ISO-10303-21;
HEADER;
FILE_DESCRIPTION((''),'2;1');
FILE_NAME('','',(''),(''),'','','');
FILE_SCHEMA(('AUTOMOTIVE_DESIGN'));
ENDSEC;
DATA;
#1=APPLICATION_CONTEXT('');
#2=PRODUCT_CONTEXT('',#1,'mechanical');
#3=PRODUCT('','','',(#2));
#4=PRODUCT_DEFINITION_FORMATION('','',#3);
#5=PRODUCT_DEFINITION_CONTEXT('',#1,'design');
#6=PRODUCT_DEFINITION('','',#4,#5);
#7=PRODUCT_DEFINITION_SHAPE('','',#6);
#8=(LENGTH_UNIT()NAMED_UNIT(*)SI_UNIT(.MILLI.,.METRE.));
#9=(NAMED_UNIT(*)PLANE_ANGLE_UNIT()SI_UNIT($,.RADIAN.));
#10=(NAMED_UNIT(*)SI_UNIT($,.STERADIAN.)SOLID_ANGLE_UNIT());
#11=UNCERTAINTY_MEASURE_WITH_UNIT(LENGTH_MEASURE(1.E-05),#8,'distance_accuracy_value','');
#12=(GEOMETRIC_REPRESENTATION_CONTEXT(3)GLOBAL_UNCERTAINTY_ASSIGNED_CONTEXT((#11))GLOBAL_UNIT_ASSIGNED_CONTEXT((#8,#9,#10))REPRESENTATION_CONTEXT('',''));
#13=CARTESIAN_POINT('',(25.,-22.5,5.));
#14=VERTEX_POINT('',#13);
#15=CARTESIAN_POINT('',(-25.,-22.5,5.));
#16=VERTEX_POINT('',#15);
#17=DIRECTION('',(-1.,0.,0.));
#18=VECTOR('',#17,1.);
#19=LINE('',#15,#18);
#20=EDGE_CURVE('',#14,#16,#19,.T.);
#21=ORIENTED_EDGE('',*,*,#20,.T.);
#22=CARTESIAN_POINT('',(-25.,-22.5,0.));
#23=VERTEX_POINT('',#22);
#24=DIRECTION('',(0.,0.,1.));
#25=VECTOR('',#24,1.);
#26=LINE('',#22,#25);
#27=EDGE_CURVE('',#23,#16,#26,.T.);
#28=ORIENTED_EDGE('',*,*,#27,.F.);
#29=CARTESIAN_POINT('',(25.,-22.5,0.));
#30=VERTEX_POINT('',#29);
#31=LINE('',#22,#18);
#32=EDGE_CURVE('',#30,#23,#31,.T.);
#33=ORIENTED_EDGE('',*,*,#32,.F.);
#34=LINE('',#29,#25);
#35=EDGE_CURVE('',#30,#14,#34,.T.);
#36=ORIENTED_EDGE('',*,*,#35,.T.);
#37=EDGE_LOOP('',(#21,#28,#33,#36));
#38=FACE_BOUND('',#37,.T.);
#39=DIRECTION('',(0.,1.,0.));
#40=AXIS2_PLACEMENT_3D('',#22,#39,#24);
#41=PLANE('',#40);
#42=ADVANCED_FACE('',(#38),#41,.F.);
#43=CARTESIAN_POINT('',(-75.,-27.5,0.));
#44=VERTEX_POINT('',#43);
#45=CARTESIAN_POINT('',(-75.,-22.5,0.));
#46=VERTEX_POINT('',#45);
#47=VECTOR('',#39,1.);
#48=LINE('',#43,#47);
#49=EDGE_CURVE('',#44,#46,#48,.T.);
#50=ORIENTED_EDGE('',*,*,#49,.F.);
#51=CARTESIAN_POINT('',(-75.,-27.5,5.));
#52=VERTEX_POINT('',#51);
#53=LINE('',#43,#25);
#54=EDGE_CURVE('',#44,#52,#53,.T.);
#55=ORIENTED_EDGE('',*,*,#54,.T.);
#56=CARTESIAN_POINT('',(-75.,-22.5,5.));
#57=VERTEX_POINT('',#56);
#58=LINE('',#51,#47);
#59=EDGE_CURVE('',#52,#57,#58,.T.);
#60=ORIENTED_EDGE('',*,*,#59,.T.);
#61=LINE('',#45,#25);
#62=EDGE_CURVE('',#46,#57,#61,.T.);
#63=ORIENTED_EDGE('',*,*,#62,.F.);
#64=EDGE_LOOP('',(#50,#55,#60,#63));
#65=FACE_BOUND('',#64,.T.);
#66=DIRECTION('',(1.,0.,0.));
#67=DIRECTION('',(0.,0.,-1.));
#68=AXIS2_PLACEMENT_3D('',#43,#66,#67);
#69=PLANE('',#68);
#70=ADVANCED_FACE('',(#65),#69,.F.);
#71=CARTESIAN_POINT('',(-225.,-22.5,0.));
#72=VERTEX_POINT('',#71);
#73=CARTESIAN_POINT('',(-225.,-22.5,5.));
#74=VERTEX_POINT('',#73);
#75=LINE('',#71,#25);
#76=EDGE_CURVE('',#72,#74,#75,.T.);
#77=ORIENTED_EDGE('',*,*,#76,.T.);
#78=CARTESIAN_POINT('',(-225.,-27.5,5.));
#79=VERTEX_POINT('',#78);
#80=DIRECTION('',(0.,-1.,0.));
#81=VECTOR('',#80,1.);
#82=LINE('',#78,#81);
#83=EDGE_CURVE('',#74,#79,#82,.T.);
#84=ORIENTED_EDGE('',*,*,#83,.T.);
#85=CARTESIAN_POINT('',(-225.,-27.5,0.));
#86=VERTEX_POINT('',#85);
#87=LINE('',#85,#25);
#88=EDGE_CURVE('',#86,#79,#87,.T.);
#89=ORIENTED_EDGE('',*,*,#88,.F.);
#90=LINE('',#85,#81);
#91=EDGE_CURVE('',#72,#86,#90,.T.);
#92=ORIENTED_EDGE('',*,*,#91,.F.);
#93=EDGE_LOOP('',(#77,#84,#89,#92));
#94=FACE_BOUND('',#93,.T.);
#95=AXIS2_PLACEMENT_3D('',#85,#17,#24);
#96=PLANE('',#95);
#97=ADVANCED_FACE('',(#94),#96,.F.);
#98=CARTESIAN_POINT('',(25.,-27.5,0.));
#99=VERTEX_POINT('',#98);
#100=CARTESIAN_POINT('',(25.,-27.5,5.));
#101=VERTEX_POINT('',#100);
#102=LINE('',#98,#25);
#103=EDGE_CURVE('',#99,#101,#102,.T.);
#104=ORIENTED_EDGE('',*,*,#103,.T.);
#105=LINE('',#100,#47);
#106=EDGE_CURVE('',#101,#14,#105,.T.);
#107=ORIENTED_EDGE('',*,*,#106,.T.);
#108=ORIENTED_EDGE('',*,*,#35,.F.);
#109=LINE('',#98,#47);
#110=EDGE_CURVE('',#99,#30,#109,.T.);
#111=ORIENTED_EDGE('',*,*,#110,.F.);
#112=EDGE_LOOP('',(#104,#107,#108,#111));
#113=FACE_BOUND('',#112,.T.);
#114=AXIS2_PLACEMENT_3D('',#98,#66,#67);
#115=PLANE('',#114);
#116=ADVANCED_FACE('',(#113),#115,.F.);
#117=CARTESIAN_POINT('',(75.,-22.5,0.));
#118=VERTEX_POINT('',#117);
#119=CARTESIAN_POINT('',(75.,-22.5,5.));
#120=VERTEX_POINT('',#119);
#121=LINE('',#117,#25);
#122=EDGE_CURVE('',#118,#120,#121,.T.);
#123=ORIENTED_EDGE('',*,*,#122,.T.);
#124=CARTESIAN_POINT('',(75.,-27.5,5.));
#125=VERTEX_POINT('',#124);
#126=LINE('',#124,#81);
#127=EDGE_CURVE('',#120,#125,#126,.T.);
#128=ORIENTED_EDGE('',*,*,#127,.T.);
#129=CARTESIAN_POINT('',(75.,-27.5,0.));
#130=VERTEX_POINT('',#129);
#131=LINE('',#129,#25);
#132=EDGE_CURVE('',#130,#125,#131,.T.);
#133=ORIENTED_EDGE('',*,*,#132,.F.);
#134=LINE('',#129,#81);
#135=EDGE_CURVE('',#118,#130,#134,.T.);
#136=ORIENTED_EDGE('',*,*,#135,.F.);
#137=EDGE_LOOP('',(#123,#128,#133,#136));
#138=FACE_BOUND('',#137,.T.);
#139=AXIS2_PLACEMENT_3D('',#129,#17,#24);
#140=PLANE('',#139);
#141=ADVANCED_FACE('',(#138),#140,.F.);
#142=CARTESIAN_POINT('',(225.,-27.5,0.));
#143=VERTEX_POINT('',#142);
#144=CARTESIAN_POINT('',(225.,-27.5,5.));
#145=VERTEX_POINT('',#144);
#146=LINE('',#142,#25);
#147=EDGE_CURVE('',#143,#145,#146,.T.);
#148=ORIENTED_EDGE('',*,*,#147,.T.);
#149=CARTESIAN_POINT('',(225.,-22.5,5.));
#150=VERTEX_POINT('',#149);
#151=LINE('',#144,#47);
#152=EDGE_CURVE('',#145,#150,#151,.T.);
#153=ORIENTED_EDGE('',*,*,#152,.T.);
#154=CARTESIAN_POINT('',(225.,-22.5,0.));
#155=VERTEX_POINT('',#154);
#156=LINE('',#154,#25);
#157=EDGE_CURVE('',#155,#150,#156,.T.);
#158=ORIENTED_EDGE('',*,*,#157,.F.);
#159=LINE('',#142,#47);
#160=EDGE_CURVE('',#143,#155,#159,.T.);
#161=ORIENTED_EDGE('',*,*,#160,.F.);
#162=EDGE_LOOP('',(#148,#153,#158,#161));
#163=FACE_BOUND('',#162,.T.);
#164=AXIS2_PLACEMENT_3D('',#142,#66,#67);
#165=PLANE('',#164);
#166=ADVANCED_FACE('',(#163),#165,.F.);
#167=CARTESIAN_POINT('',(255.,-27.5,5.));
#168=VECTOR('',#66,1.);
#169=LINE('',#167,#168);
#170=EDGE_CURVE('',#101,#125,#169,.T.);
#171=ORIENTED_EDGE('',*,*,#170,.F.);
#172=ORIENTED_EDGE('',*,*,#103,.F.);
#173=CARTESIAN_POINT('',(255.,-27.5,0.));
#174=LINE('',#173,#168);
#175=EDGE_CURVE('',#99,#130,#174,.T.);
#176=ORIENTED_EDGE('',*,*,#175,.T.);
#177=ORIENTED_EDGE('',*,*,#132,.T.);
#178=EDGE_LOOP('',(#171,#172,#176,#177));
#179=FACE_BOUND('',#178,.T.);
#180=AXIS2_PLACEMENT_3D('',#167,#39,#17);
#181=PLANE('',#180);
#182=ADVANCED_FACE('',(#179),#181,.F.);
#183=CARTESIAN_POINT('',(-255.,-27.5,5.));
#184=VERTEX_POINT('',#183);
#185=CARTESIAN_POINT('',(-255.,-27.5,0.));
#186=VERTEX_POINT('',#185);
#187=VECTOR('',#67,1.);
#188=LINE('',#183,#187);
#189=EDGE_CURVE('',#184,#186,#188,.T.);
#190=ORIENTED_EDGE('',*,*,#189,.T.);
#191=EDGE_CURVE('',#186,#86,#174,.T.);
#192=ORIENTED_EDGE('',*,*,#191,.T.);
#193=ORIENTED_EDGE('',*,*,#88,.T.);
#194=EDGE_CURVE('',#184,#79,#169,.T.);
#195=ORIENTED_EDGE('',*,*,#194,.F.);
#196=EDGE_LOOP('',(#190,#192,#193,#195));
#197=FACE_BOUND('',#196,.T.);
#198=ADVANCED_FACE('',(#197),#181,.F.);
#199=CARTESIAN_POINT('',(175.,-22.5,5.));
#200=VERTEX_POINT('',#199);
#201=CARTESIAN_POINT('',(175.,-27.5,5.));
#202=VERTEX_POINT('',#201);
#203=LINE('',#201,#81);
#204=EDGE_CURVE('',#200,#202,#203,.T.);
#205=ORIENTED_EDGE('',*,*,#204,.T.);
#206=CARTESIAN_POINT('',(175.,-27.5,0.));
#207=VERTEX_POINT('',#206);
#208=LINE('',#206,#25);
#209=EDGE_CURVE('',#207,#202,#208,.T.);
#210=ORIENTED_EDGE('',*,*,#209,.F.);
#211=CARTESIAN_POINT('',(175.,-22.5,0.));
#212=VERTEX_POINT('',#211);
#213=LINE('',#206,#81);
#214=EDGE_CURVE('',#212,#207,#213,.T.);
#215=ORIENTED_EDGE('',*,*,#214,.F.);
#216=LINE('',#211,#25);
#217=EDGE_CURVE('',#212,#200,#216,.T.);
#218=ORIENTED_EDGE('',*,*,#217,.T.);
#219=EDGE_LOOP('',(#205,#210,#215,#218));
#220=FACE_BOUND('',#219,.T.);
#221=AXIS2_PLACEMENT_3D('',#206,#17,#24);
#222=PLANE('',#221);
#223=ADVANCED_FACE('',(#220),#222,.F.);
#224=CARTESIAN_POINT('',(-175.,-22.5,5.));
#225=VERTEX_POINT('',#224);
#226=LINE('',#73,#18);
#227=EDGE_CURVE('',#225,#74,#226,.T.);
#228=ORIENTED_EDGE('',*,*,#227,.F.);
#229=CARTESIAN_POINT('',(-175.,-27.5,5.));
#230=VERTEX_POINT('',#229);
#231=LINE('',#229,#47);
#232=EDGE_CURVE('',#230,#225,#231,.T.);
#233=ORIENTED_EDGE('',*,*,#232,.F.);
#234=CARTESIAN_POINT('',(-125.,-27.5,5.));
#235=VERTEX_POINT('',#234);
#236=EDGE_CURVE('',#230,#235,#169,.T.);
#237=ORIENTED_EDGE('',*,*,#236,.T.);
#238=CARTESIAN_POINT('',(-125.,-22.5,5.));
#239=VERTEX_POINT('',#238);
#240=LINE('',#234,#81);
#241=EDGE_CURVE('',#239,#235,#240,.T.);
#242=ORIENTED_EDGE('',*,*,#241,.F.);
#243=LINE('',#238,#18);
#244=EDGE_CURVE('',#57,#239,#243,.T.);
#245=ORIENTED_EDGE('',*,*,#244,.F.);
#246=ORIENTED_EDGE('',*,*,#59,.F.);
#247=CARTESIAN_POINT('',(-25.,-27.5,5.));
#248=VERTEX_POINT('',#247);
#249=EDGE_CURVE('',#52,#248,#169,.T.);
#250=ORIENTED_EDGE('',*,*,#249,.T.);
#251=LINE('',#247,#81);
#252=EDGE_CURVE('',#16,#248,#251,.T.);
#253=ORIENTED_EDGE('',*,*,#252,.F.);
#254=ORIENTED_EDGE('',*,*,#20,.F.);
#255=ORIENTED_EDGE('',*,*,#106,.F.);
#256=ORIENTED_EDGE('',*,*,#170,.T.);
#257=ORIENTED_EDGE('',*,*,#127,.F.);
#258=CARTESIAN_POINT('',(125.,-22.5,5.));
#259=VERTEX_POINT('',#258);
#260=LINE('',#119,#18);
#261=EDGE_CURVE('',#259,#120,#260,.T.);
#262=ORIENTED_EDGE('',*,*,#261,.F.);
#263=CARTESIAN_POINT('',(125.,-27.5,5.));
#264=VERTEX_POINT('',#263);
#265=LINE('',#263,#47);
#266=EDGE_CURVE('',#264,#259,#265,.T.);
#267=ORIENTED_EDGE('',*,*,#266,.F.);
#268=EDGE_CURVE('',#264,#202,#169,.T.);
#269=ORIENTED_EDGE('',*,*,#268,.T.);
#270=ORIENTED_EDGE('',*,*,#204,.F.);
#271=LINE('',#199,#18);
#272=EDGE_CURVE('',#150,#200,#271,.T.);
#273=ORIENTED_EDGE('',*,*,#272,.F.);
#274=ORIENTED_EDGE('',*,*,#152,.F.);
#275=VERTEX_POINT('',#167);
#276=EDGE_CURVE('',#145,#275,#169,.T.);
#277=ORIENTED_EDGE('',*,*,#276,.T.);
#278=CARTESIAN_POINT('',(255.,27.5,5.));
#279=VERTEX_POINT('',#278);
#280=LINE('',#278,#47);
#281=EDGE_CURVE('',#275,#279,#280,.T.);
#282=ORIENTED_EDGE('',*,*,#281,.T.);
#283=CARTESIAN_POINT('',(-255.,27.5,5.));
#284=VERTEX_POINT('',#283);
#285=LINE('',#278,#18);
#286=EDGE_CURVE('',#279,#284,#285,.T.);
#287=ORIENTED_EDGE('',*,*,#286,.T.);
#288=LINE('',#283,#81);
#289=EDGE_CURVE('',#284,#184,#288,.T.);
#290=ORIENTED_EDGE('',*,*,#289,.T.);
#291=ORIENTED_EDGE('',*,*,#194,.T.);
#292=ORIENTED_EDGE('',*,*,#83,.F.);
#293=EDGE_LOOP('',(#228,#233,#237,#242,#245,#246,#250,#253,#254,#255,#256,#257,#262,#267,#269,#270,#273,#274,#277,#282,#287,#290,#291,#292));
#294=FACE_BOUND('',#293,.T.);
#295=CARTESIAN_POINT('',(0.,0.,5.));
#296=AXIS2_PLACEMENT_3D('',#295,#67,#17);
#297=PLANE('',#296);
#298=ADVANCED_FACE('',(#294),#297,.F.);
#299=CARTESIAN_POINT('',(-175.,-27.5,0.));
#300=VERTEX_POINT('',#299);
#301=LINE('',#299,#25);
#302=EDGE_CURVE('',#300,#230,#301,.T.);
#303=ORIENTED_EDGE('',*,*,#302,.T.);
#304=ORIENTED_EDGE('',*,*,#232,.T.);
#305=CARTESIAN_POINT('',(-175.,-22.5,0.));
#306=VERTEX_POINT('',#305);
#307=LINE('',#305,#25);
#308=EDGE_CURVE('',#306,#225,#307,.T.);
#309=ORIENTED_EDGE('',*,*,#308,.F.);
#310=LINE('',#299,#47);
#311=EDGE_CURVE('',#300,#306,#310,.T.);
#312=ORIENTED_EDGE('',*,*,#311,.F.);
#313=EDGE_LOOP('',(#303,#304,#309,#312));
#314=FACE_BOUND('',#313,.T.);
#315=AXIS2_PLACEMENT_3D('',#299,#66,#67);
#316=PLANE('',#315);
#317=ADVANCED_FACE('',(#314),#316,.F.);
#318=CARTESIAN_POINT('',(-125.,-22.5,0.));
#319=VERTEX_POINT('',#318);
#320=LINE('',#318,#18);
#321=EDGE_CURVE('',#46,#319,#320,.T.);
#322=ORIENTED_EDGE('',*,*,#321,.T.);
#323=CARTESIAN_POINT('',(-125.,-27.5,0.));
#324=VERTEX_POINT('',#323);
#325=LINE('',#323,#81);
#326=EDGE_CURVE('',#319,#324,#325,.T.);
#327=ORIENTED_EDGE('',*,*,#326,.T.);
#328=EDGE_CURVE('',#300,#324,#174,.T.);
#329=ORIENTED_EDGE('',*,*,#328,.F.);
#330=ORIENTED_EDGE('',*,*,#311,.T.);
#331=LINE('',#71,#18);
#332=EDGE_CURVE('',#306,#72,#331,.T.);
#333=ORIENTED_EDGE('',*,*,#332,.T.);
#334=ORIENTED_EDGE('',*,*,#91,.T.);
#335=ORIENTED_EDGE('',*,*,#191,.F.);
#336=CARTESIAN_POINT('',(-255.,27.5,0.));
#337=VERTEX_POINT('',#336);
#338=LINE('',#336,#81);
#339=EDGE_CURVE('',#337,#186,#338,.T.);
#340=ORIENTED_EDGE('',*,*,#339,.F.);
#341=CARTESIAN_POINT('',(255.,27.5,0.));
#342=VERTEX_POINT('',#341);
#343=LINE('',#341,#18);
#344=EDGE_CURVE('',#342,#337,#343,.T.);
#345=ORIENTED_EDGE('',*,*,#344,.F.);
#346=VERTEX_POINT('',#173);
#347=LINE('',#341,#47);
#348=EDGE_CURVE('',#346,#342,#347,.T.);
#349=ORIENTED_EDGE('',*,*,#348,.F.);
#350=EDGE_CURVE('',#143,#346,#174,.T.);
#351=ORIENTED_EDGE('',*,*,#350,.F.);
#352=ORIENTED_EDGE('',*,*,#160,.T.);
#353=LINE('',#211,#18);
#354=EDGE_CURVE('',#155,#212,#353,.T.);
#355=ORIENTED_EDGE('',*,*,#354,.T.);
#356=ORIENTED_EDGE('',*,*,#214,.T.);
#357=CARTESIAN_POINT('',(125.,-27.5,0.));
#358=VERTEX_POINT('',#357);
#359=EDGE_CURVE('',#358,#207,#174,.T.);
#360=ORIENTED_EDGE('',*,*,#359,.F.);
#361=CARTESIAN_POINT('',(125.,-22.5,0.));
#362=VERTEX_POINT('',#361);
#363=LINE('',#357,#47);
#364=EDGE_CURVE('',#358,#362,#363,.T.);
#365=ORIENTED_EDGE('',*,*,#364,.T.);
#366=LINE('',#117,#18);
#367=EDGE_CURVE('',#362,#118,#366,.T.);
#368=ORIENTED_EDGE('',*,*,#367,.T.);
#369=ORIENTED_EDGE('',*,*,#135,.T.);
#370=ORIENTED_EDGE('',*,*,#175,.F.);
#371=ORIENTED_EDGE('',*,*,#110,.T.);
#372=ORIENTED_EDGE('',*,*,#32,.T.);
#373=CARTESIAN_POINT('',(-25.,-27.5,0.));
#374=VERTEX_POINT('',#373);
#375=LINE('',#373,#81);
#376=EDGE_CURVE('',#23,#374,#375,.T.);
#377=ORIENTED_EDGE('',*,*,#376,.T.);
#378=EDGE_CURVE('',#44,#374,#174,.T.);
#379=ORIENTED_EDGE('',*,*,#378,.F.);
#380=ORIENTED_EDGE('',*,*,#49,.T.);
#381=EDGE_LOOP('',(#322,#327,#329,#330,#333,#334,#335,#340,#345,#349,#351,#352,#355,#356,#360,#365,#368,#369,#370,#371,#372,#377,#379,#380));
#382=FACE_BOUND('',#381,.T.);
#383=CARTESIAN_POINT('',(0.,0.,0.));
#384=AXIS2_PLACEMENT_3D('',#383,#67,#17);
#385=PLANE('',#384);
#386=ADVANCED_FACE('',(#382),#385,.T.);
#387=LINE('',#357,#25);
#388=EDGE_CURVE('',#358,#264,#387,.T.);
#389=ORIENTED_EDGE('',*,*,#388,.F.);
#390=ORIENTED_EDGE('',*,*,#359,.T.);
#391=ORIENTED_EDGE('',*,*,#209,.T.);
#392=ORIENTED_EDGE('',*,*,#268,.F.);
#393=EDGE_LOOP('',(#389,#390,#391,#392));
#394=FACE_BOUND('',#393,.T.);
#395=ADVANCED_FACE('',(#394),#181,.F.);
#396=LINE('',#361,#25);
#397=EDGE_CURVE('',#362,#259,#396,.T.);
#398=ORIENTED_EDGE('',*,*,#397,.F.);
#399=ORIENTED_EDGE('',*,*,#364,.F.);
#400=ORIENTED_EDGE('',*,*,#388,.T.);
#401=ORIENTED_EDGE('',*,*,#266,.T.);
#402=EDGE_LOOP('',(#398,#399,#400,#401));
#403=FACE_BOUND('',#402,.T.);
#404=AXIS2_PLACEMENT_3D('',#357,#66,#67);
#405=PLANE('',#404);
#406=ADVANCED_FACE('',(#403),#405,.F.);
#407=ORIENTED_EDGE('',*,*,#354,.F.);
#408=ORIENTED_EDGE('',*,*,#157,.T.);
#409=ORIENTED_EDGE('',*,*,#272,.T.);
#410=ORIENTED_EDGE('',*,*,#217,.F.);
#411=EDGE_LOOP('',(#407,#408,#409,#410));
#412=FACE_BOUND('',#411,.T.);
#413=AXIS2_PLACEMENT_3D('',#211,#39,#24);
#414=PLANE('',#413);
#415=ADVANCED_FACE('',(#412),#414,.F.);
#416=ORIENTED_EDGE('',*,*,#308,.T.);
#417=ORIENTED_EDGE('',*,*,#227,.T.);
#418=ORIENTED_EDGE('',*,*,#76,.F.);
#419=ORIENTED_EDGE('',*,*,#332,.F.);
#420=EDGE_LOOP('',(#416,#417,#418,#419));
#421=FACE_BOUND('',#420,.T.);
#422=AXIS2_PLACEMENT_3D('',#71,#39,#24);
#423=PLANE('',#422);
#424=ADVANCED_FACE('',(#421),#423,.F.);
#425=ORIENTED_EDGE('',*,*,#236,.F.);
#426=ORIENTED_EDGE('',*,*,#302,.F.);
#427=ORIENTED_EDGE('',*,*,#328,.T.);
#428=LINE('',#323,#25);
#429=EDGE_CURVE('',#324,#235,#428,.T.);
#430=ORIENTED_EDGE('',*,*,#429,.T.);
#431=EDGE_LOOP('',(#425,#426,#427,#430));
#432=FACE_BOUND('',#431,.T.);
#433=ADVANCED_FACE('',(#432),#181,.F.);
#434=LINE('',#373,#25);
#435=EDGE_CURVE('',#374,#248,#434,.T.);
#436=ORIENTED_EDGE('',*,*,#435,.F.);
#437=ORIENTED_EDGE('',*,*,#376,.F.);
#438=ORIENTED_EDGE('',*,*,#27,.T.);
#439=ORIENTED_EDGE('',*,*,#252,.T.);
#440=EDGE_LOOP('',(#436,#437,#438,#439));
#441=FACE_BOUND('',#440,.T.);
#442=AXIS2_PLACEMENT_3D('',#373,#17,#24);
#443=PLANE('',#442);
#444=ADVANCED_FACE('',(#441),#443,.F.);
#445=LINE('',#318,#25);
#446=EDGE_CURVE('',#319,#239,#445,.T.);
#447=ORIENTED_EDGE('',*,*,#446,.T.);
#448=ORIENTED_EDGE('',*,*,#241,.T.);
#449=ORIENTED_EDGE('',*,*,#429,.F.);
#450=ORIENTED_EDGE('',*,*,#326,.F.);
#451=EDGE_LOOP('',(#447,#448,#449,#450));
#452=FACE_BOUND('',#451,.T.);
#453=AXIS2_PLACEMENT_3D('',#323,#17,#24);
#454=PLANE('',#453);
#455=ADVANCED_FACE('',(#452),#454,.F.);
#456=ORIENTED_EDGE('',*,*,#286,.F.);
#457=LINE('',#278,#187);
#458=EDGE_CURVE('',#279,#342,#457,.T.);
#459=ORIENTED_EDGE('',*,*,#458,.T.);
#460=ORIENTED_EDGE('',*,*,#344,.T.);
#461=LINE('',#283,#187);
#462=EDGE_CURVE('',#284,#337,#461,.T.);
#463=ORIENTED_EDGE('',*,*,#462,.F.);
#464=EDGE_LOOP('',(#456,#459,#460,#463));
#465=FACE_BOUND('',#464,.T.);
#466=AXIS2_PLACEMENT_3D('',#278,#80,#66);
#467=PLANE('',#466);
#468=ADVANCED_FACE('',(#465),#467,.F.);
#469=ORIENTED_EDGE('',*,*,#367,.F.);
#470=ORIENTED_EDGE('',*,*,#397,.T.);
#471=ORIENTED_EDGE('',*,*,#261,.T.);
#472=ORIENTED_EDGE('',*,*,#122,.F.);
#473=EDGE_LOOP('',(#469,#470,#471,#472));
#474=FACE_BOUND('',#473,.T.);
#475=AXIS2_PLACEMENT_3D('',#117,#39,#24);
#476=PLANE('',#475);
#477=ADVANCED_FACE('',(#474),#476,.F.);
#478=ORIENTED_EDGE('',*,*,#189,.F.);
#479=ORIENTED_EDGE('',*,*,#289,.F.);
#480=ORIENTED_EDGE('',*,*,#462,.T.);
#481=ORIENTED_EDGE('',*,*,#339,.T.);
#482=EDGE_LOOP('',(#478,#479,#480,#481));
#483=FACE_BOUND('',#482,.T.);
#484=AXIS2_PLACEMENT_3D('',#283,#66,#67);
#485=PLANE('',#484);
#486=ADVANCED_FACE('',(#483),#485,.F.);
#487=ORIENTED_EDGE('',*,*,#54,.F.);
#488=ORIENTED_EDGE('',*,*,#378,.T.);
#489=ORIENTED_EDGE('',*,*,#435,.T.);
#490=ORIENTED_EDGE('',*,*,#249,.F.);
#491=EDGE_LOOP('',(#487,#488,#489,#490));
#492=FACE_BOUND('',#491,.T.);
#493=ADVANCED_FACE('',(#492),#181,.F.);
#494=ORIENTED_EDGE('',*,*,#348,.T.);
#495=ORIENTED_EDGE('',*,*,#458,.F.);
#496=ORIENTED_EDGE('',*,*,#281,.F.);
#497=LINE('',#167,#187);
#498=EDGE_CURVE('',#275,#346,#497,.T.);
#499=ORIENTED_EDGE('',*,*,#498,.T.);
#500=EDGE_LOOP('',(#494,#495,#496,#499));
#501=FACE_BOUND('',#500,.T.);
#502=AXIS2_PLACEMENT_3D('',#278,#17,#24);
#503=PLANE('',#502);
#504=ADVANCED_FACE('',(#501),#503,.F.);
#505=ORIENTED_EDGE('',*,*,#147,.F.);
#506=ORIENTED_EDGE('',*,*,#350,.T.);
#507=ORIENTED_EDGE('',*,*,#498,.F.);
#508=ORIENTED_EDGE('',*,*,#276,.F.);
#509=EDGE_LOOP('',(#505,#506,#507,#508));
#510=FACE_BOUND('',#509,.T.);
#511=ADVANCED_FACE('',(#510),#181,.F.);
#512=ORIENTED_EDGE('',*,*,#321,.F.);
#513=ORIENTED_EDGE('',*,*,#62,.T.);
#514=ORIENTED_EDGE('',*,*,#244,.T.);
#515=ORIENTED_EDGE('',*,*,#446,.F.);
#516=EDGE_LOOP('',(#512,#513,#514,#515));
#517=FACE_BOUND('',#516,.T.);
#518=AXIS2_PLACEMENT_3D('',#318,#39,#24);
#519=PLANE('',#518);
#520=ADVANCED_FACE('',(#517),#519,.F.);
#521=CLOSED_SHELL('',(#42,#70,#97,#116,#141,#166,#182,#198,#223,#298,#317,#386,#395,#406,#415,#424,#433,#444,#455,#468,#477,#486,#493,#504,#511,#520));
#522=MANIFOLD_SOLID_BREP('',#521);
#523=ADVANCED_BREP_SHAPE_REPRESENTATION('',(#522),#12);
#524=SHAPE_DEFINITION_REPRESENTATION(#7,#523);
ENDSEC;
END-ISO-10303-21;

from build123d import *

# Parameters (mm, degrees)
SKETCH_1_W          = 510
SKETCH_1_H          = 55
EXTRUDE_1_DEPTH     = 5
SKETCH_2_W          = 50
SKETCH_2_H          = 5
CUT_EXTRUDE_1_DEPTH = 5


with BuildPart() as part:
    # ｽｹｯﾁ1 → ﾎﾞｽ - 押し出し1 (new body)
    with BuildSketch(Plane.XY):
        Rectangle(SKETCH_1_W, SKETCH_1_H)
    extrude(amount=EXTRUDE_1_DEPTH)

    # ｽｹｯﾁ2 → ｶｯﾄ - 押し出し1 (cut)
    with BuildSketch(Plane.XY.offset(5)):
        with Locations((0, -25)):
            Rectangle(SKETCH_2_W, SKETCH_2_H)
        with Locations((-100, -25)):
            Rectangle(SKETCH_2_W, SKETCH_2_H)
        with Locations((100, -25)):
            Rectangle(SKETCH_2_W, SKETCH_2_H)
        with Locations((200, -25)):
            Rectangle(SKETCH_2_W, SKETCH_2_H)
        with Locations((-200, -25)):
            Rectangle(SKETCH_2_W, SKETCH_2_H)
    extrude(amount=-CUT_EXTRUDE_1_DEPTH, mode=Mode.SUBTRACT)


solid = part.part
